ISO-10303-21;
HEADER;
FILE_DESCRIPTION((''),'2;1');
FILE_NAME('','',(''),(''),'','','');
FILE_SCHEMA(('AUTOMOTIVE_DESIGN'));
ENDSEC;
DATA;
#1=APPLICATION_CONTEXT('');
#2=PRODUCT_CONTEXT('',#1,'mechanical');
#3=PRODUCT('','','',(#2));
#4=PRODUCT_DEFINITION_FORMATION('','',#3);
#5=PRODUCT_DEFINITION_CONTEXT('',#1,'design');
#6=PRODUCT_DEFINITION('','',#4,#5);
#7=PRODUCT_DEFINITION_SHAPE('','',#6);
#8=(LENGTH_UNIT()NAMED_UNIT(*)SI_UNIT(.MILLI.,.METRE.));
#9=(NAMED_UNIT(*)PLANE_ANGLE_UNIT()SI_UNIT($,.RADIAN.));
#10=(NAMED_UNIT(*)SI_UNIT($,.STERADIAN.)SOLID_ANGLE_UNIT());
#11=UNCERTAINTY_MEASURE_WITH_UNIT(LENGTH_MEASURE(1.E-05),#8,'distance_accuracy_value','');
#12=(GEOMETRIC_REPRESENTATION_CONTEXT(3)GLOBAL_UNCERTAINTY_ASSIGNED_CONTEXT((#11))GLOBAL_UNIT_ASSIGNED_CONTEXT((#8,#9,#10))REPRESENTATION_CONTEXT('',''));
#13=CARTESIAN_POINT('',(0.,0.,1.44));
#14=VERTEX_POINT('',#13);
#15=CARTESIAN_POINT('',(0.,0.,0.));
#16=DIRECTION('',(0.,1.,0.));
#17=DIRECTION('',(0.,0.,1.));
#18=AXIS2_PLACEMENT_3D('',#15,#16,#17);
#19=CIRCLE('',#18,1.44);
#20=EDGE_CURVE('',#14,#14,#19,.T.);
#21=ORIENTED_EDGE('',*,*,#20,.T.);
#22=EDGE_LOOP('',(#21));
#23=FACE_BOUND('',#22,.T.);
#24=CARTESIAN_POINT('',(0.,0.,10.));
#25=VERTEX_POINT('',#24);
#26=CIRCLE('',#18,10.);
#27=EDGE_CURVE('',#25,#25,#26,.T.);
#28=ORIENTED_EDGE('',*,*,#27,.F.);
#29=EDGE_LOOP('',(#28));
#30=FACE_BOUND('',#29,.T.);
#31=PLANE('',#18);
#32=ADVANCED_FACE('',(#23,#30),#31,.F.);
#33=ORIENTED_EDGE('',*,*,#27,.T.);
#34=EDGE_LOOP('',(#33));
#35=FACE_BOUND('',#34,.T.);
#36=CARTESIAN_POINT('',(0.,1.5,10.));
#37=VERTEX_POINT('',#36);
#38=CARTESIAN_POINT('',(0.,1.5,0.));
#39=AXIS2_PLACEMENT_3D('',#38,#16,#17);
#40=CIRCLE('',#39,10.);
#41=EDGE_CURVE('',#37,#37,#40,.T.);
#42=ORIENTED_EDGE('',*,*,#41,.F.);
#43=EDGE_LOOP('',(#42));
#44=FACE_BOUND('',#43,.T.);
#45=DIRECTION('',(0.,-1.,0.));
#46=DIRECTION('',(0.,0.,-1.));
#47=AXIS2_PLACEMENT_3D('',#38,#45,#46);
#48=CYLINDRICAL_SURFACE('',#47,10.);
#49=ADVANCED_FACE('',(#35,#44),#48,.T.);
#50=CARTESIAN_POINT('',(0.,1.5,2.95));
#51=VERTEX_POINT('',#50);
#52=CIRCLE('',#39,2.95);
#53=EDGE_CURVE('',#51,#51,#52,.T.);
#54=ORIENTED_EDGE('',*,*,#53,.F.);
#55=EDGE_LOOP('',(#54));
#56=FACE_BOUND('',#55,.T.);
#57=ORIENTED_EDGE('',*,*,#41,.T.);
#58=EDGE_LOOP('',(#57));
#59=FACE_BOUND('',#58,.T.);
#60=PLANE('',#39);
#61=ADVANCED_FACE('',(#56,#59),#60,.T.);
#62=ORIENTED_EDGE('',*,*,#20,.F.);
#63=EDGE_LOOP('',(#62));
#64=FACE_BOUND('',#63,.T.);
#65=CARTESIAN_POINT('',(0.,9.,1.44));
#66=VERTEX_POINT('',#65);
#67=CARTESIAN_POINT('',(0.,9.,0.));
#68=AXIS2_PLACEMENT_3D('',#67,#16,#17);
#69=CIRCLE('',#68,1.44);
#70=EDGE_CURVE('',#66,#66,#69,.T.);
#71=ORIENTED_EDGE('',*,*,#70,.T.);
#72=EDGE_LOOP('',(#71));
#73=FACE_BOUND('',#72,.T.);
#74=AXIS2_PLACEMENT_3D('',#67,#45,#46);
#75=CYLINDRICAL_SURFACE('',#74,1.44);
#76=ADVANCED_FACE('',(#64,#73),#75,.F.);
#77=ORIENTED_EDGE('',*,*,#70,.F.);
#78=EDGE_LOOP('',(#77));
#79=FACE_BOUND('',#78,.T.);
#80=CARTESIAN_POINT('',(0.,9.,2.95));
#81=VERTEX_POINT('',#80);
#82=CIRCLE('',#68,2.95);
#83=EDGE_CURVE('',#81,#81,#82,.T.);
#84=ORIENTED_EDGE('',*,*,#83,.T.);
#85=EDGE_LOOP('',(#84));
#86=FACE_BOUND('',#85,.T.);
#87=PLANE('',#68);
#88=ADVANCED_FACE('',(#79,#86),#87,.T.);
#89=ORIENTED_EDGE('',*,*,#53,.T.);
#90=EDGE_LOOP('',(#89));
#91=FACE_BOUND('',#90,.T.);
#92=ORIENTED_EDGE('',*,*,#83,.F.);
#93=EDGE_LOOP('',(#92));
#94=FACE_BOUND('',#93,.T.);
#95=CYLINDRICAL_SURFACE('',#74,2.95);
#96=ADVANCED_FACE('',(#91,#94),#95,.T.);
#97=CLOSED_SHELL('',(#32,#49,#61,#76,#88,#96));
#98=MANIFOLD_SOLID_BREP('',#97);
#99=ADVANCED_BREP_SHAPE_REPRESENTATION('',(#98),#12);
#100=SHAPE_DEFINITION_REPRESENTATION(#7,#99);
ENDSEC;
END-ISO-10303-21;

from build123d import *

# Parameters (mm, degrees)
ESQUISSE1_R        = 10
ESQUISSE1_R_2      = 2.95
BOSS_EXTRU_2_DEPTH = 1.5
ESQUISSE1_5_R      = 2.95
ESQUISSE1_5_R_2    = 1.44
BOSS_EXTRU_3_DEPTH = 9


with BuildPart() as part:
    # Esquisse1 → Boss.-Extru.2 (new body)
    with BuildSketch(Plane(origin=(0, 0, 0), x_dir=(1, 0, 0), z_dir=(0, 1, 0))):
        Circle(ESQUISSE1_R)
        Circle(ESQUISSE1_R_2, mode=Mode.SUBTRACT)
    extrude(amount=BOSS_EXTRU_2_DEPTH)

    # Esquisse1<5> → Boss.-Extru.3 (add)
    with BuildSketch(Plane(origin=(0, 0, 0), x_dir=(1, 0, 0), z_dir=(0, 1, 0))):
        Circle(ESQUISSE1_5_R)
        Circle(ESQUISSE1_5_R_2, mode=Mode.SUBTRACT)
    extrude(amount=BOSS_EXTRU_3_DEPTH)


solid = part.part
